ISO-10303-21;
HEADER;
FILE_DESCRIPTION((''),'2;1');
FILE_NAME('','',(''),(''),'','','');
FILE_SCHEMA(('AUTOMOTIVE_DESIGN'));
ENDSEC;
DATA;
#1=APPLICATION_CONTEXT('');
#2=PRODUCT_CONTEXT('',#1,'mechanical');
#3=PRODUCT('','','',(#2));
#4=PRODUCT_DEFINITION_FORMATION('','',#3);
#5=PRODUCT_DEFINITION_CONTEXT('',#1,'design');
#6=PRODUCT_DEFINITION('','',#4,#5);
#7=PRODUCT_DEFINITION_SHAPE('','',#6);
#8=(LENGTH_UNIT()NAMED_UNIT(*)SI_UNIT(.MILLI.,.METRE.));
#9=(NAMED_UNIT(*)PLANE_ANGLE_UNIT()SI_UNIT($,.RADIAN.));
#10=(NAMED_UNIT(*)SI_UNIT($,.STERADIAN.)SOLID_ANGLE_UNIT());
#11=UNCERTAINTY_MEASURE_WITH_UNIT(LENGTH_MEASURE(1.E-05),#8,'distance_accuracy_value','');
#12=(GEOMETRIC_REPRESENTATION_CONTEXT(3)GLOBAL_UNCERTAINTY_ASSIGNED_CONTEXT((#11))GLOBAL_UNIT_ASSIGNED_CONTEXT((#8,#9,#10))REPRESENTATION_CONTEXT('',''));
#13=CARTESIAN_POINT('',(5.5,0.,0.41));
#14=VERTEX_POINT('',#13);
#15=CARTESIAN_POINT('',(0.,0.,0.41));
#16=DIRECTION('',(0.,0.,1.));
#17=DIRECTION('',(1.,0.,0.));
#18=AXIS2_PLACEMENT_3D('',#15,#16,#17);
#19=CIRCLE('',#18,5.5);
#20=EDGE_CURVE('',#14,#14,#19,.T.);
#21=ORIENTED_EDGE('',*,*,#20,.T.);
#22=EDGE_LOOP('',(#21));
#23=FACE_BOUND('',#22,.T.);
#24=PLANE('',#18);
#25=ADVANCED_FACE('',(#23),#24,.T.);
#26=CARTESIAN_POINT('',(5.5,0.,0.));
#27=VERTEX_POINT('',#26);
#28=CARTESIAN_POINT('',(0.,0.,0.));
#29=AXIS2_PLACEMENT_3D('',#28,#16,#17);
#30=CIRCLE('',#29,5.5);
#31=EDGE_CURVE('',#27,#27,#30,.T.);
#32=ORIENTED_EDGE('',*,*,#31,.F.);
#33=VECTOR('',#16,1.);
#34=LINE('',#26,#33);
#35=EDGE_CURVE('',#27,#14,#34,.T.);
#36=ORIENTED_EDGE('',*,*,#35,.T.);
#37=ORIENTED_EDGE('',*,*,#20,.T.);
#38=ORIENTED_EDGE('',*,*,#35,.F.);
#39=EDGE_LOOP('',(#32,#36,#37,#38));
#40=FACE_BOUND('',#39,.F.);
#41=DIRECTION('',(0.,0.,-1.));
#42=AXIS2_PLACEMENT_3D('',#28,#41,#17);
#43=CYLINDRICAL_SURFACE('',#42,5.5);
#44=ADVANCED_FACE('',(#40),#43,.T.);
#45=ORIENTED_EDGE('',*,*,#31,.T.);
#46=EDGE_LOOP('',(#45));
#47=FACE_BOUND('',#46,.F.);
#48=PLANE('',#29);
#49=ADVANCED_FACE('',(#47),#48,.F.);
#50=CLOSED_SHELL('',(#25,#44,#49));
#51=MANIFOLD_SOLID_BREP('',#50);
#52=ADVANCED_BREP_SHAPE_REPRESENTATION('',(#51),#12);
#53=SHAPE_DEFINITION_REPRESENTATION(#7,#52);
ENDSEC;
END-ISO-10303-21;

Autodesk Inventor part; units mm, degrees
ref_plane "YZ Plane" through (0, 0, 0) normal (1, 0, 0) x (0, 1, 0)
ref_plane "XZ Plane" through (0, 0, 0) normal (0, 1, 0) x (-1, 0, 0)
ref_plane "XY Plane" through (0, 0, 0) normal (0, 0, 1) x (1, 0, 0)
sketch "Sketch1" plane through (0, 0, 0) normal (0, 0, 1) x (1, 0, 0)
  circle A0 centre (0, 0) radius 5.5
  dimension "d0" = 11
extrude "Extrusion1" add sketch "Sketch1" along normal blind 0.41
properties part number "DAE-D11"
